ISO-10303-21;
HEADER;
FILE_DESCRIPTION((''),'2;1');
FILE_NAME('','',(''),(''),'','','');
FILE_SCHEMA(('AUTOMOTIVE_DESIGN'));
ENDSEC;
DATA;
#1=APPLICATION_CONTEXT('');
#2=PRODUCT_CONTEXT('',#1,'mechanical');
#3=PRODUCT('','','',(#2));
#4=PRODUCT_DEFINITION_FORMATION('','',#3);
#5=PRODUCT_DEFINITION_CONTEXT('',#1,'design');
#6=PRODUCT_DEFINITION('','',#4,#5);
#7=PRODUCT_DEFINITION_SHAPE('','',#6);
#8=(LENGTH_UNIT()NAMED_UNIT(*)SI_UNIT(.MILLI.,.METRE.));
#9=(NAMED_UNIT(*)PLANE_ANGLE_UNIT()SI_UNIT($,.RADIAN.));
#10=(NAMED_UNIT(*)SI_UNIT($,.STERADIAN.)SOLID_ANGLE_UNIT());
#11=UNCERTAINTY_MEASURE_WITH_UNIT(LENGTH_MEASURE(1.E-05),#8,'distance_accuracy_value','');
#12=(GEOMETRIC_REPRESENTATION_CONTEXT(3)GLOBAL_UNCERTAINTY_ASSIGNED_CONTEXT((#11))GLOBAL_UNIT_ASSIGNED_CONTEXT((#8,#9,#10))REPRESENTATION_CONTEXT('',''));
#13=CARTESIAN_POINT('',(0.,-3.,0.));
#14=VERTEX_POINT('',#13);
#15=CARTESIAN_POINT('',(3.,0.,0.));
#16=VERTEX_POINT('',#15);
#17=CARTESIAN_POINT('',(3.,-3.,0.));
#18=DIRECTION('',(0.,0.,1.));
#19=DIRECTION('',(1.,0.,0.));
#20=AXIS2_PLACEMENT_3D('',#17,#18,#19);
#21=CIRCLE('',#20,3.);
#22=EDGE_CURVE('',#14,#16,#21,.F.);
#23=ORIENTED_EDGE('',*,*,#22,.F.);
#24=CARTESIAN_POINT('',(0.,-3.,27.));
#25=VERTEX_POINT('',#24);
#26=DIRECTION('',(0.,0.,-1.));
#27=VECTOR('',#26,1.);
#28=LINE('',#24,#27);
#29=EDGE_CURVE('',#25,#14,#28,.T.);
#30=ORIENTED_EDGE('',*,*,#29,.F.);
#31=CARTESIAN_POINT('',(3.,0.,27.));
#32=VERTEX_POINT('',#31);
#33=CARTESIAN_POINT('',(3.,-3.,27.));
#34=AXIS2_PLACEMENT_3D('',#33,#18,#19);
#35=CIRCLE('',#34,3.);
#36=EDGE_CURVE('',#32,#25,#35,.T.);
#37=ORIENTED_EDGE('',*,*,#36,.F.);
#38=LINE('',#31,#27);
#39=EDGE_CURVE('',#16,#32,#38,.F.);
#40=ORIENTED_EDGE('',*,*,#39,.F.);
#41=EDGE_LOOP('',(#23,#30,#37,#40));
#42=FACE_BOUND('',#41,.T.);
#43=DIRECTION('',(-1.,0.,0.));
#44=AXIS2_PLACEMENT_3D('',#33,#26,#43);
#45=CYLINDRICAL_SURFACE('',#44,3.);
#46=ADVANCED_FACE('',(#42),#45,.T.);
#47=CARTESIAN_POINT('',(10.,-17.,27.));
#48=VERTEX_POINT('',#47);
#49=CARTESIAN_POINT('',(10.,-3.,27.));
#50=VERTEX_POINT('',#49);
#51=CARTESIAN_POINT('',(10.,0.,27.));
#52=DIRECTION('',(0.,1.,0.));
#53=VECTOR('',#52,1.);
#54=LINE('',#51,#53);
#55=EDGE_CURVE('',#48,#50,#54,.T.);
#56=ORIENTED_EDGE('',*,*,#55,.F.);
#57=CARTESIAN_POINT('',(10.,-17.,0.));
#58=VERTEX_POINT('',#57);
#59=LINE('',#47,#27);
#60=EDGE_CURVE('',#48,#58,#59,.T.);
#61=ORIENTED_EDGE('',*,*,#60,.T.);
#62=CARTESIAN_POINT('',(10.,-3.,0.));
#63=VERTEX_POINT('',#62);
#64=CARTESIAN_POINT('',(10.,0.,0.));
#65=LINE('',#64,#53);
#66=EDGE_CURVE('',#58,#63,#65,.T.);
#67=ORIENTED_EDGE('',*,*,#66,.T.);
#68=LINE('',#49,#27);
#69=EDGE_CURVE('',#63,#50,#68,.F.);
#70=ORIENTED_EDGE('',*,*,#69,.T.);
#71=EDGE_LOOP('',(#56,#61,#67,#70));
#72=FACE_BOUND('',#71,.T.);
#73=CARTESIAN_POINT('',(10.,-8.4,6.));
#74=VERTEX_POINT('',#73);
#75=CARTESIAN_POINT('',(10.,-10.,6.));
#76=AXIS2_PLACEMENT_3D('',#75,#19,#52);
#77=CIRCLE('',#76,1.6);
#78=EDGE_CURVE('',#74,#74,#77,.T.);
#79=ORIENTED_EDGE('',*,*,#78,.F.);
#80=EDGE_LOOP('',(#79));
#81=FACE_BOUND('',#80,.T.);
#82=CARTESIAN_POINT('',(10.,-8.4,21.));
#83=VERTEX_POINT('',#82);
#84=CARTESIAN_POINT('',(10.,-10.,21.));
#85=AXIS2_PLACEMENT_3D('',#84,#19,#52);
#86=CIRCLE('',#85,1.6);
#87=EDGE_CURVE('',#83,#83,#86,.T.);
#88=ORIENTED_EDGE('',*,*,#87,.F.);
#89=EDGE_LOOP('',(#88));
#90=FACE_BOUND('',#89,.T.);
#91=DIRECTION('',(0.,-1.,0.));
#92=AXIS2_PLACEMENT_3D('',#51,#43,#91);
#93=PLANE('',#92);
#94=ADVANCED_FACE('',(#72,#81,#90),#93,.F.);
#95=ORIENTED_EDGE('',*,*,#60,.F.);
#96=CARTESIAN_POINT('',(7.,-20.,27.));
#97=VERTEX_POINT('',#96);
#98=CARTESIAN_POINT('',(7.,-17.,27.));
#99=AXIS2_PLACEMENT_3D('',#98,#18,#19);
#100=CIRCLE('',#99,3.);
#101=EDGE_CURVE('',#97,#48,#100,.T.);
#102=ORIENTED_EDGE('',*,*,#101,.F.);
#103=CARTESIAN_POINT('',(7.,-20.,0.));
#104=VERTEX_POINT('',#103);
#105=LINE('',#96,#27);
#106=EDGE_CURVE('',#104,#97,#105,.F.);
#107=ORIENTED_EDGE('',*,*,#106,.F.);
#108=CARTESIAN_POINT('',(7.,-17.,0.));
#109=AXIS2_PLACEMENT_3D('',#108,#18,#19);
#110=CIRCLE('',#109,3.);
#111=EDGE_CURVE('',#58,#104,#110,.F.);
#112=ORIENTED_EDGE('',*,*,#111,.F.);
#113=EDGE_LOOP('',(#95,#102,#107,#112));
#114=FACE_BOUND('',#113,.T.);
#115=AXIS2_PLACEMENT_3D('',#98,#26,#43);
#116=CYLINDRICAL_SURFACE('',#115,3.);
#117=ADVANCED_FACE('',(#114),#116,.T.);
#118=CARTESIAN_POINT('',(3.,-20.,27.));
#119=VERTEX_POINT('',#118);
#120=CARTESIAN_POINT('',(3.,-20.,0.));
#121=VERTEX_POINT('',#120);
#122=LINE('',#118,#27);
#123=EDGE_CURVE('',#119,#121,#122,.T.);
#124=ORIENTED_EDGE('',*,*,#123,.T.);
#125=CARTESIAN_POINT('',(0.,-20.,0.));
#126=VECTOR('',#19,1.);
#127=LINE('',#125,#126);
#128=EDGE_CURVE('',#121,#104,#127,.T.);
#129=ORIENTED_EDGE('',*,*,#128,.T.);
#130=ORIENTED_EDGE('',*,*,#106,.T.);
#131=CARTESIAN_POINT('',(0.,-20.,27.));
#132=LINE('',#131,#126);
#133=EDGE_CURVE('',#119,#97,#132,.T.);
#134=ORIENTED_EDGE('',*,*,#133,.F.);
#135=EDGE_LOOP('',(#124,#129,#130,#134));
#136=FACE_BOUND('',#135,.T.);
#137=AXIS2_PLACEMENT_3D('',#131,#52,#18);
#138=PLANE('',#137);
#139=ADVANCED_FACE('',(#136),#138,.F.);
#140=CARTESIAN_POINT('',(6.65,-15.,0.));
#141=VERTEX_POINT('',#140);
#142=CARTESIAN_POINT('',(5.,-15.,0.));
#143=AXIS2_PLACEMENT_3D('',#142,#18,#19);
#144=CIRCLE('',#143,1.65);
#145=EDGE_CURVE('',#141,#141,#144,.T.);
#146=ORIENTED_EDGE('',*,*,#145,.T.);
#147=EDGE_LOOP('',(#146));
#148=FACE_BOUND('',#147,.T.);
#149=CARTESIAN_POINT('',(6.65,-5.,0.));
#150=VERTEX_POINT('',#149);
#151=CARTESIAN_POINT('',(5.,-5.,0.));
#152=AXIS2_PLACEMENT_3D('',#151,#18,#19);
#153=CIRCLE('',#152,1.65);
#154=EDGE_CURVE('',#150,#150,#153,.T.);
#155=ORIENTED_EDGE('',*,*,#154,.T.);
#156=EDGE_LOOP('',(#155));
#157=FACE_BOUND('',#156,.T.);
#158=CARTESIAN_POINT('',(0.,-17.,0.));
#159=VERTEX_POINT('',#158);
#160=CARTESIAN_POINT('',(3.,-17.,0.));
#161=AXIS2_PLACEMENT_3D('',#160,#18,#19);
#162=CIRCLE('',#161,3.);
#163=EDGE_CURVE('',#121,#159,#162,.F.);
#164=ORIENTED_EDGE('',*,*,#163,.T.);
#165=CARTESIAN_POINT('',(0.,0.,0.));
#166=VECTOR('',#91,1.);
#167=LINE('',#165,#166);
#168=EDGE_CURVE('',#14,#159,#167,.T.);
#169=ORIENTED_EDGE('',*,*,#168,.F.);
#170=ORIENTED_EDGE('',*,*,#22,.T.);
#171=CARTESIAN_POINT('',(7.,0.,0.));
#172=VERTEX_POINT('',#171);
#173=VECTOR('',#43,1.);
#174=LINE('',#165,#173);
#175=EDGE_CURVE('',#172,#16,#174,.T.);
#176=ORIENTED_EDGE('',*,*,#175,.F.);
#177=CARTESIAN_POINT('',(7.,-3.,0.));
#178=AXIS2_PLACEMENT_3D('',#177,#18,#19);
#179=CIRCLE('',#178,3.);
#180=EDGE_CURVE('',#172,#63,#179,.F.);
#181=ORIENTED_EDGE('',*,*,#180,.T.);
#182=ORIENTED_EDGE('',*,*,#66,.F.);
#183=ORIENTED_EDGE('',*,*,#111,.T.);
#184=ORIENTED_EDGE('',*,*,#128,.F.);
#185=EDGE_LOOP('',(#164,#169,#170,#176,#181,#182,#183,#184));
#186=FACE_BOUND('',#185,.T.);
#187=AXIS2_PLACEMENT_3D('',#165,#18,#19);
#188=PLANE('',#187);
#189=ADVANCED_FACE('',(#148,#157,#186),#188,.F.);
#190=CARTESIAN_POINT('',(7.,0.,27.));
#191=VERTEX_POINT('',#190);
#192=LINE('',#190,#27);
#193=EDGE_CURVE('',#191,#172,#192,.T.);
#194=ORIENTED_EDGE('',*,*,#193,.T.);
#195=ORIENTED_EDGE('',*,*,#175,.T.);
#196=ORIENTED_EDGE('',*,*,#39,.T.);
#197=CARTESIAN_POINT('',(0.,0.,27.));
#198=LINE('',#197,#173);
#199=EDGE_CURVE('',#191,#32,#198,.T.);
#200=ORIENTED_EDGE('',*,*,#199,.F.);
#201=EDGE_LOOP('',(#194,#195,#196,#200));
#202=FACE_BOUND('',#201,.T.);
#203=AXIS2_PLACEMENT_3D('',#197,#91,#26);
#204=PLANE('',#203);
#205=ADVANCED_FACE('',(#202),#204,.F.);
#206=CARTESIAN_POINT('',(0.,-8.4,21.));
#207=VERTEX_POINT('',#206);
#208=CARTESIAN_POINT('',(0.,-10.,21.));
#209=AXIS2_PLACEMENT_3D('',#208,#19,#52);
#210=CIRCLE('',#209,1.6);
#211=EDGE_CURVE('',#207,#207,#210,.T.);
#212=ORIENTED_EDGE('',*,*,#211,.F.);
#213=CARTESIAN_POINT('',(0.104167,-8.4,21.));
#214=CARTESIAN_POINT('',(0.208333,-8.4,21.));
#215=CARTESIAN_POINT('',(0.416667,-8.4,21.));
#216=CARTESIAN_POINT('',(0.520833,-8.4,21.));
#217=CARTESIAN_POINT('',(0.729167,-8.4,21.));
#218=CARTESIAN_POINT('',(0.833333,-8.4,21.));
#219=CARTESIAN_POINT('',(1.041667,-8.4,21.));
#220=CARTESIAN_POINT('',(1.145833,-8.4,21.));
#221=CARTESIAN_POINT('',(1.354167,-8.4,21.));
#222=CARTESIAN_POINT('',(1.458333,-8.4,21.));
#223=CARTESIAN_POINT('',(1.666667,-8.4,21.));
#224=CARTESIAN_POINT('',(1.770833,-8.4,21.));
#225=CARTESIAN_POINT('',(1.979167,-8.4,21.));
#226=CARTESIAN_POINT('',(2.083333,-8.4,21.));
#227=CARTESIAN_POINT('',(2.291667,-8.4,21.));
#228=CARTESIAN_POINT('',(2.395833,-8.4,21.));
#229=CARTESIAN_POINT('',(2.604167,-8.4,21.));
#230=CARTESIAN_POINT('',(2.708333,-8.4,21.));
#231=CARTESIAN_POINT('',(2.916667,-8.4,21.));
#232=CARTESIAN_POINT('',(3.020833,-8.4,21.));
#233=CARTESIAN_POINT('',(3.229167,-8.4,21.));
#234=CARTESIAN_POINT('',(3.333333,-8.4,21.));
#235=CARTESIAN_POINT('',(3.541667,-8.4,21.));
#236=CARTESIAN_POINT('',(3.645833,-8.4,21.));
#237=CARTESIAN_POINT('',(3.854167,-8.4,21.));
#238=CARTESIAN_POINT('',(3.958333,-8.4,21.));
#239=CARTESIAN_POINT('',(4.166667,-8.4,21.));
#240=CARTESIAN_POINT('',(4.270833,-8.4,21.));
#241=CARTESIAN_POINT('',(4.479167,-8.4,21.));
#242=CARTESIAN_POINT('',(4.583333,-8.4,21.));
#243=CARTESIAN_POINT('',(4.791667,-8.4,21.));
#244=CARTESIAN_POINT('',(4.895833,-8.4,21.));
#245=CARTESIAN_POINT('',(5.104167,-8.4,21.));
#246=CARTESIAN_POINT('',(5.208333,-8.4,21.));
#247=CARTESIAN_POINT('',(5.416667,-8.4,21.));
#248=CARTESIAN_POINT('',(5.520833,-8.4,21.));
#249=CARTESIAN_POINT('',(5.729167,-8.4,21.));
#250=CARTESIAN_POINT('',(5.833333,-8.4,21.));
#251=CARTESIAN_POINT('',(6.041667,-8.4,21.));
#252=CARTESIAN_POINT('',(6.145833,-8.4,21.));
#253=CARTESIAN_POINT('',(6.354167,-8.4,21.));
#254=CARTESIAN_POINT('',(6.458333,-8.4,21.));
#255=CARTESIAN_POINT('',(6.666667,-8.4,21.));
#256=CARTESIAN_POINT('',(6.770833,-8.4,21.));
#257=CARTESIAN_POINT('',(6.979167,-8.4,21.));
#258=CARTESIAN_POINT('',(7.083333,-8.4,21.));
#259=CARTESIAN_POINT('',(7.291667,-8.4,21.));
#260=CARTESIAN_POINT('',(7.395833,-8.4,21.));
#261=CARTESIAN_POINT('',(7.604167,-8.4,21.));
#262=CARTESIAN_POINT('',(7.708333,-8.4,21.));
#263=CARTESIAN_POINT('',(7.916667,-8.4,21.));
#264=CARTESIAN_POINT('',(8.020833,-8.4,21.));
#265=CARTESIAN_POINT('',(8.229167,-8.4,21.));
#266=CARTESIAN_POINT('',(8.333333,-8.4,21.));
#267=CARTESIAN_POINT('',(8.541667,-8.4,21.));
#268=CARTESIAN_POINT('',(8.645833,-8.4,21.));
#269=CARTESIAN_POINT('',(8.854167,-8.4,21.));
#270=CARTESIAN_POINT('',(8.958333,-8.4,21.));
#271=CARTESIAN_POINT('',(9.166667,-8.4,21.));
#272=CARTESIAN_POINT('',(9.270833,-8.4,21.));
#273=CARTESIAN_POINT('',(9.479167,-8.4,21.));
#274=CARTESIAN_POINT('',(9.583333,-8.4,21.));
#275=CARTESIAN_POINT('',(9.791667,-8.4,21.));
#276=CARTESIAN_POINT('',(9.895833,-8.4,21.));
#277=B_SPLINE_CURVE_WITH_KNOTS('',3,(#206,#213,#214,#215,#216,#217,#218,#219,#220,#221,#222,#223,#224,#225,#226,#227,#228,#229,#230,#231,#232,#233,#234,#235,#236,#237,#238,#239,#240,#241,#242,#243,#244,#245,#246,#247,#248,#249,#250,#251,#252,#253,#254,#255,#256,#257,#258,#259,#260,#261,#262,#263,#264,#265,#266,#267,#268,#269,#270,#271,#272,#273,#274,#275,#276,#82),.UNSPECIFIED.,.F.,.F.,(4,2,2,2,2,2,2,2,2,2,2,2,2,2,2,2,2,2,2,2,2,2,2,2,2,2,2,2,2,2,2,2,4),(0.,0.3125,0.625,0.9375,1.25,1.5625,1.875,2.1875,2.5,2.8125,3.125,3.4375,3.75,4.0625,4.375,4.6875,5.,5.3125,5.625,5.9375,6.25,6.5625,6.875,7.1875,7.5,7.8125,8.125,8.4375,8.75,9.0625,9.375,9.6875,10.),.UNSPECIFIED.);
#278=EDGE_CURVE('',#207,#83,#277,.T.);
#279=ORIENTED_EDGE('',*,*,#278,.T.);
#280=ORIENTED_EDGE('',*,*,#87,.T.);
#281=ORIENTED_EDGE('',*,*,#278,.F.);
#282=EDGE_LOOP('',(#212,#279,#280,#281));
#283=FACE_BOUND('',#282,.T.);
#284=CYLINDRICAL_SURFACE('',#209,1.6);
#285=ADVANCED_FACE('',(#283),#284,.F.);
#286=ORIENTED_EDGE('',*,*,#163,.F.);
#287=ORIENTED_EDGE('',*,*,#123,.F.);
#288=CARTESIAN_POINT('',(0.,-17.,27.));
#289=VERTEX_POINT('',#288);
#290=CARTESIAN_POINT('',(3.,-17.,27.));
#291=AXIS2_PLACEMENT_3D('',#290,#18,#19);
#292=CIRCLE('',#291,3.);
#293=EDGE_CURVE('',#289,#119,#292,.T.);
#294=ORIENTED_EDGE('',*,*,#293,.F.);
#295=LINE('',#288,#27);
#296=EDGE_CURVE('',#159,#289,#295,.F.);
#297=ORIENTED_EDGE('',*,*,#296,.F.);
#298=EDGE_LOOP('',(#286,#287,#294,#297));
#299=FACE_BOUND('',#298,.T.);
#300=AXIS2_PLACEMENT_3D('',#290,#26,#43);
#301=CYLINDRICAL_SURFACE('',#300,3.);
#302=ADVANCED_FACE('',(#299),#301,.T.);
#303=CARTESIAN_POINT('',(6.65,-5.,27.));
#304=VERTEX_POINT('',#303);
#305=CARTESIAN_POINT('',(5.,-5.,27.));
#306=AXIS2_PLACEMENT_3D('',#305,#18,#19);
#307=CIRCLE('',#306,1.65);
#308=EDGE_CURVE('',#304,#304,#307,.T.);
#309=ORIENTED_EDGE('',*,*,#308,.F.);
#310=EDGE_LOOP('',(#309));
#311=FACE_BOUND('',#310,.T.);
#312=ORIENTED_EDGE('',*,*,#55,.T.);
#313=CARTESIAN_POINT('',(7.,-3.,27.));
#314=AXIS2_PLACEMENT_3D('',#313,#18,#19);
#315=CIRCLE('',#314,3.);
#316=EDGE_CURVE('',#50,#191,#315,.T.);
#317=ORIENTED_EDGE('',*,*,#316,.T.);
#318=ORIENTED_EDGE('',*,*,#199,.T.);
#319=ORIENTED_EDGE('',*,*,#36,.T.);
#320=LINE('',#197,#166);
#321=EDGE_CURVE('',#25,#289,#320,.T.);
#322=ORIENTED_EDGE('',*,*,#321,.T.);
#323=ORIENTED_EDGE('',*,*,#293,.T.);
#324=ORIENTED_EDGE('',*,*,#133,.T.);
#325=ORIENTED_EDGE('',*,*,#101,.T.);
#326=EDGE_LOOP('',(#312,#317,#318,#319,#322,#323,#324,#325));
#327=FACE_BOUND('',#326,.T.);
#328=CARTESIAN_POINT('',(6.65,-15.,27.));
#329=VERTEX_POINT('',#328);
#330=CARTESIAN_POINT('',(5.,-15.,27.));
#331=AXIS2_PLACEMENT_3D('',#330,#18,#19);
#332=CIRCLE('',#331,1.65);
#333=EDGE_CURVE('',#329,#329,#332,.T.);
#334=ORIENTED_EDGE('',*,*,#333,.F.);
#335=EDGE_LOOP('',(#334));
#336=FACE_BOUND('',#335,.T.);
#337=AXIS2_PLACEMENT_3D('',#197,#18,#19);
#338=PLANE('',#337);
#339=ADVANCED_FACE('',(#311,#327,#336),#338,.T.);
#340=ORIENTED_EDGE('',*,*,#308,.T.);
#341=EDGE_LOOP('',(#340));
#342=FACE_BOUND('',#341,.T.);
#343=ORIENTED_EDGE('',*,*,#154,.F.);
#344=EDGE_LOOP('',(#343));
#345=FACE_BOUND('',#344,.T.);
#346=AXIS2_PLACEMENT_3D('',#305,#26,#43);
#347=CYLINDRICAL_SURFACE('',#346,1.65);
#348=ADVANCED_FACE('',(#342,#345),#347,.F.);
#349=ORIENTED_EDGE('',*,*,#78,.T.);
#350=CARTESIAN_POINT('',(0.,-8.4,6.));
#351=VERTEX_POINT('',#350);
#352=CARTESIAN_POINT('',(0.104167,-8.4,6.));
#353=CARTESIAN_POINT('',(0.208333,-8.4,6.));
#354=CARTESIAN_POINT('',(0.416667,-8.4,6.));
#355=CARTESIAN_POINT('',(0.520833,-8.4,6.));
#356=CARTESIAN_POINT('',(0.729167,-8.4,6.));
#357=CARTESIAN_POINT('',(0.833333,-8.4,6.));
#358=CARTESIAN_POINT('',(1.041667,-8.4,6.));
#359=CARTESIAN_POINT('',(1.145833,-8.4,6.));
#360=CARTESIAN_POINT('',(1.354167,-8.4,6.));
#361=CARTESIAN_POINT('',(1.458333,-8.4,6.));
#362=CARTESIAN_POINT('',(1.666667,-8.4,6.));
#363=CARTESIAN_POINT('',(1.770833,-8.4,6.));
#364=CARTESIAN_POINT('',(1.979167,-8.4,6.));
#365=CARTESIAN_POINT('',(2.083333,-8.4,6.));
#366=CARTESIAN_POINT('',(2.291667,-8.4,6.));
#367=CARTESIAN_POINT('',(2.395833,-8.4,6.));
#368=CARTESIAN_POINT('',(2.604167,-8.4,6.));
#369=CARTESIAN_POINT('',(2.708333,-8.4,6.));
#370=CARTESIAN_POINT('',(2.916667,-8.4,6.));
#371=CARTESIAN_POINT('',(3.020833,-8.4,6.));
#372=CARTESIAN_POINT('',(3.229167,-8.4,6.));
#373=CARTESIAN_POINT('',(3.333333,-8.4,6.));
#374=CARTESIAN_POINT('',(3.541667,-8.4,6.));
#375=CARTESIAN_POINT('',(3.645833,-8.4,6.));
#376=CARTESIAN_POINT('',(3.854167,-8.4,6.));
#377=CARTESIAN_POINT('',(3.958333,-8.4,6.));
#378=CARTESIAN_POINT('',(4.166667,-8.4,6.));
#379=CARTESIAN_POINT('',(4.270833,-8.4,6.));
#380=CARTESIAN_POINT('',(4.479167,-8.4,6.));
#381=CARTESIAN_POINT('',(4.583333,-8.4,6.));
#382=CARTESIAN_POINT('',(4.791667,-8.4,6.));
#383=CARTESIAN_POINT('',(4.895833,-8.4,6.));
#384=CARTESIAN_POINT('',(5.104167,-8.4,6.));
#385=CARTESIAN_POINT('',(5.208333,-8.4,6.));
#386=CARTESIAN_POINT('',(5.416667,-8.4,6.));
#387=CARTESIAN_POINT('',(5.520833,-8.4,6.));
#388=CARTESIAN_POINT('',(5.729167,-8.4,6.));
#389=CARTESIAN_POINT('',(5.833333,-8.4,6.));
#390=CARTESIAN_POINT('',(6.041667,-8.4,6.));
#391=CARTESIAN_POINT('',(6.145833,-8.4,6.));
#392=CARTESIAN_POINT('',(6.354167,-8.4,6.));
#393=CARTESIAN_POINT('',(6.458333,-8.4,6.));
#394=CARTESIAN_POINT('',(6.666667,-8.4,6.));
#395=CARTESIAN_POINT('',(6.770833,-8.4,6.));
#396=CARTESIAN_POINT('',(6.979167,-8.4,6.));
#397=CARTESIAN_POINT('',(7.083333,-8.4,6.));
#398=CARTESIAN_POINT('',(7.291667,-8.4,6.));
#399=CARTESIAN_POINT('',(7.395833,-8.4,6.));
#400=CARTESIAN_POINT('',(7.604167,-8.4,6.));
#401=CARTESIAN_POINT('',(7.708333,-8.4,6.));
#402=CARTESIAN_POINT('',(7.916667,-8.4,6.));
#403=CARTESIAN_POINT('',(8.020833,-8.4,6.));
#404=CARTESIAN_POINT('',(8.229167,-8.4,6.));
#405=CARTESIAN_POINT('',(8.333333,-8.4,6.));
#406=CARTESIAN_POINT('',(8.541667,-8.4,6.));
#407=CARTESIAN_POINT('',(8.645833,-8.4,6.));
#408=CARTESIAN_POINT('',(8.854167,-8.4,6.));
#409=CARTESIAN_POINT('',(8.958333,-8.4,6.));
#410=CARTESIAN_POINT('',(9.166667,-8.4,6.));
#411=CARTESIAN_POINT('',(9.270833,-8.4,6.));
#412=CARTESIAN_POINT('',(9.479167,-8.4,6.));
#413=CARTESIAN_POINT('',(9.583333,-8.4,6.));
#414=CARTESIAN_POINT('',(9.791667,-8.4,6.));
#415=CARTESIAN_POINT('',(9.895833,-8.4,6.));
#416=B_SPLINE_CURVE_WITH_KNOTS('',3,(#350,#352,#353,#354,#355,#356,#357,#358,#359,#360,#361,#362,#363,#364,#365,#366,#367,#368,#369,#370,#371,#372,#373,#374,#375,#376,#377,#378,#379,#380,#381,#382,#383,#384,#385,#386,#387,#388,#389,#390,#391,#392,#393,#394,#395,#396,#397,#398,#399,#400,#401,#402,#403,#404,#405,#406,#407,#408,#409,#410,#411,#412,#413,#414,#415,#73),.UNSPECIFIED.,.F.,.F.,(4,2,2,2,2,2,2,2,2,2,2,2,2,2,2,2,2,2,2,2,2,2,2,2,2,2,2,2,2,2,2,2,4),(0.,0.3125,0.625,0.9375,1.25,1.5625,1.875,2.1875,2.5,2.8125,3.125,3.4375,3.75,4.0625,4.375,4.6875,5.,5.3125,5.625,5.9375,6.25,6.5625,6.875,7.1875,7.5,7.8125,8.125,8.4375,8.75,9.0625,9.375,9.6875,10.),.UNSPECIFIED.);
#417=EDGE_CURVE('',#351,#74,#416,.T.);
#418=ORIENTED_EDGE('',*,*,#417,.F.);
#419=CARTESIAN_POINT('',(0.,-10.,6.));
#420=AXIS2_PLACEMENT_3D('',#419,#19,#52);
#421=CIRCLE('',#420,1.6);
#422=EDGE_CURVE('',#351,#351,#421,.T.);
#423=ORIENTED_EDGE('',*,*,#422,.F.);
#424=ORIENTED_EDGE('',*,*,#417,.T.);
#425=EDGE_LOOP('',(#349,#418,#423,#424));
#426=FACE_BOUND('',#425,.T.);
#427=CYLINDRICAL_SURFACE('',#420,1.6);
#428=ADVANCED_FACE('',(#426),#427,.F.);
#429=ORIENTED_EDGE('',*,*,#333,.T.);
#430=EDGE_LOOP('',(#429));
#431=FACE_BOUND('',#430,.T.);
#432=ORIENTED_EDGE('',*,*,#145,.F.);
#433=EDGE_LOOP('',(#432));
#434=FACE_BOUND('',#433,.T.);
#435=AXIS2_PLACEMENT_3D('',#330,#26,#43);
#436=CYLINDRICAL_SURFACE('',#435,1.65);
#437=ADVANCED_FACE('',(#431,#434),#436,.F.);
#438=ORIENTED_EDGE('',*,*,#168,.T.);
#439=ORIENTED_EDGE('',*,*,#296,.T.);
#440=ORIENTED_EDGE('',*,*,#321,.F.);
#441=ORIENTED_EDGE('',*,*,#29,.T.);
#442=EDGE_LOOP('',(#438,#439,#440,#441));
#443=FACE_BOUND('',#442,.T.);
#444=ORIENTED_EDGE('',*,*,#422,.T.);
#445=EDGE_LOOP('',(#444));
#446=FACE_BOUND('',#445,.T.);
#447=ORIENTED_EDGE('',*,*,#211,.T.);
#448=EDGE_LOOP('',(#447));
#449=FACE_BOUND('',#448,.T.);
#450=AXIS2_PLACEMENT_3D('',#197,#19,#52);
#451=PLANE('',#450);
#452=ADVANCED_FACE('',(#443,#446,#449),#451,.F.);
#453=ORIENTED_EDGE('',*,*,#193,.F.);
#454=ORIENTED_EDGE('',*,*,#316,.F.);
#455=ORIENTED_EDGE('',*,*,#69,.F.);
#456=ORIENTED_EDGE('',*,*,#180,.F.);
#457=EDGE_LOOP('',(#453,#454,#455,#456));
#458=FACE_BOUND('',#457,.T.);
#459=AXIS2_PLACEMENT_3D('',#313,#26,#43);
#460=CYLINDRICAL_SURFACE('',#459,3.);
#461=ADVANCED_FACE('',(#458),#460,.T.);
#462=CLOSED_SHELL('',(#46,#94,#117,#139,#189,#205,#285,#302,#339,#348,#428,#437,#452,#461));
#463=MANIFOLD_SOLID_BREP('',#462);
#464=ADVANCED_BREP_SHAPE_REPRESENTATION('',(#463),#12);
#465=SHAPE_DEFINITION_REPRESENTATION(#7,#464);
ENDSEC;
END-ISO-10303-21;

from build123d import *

# Parameters (mm, degrees)
SKETCH_1_W          = 10
SKETCH_1_H          = 20
SKETCH_1_R          = 1.65
EXTRUDE_1_DEPTH     = 27
FILLET_1_R          = 3
SKETCH_2_R          = 1.6
CUT_EXTRUDE_1_DEPTH = 36.057096286


with BuildPart() as part:
    # 草图1 → 凸台-拉伸1 (new body)
    with BuildSketch(Plane.XY):
        with Locations((5, -10)):
            Rectangle(SKETCH_1_W, SKETCH_1_H)
        with Locations((5, -5)):
            Circle(SKETCH_1_R, mode=Mode.SUBTRACT)
        with Locations((5, -15)):
            Circle(SKETCH_1_R, mode=Mode.SUBTRACT)
    extrude(amount=EXTRUDE_1_DEPTH)

    # 圆角1
    fillet_1_edges = [part.edges().sort_by_distance(p)[0] for p in [
        (0, 0, 13.5),
        (10, 0, 13.5),
        (10, -20, 13.5),
        (0, -20, 13.5),
    ]]
    fillet(fillet_1_edges, radius=FILLET_1_R)

    # 草图2 → 切除-拉伸1 (cut, through all)
    with BuildSketch(Plane(origin=(10, 0, 0), x_dir=(0, 0, -1), z_dir=(1, 0, 0))):
        with Locations(Location((-21, -10, 0), (0, 0, 90))):
            Circle(SKETCH_2_R)
        with Locations(Location((-6, -10, 0), (0, 0, 90))):
            Circle(SKETCH_2_R)
    extrude(amount=-CUT_EXTRUDE_1_DEPTH, mode=Mode.SUBTRACT)


solid = part.part
